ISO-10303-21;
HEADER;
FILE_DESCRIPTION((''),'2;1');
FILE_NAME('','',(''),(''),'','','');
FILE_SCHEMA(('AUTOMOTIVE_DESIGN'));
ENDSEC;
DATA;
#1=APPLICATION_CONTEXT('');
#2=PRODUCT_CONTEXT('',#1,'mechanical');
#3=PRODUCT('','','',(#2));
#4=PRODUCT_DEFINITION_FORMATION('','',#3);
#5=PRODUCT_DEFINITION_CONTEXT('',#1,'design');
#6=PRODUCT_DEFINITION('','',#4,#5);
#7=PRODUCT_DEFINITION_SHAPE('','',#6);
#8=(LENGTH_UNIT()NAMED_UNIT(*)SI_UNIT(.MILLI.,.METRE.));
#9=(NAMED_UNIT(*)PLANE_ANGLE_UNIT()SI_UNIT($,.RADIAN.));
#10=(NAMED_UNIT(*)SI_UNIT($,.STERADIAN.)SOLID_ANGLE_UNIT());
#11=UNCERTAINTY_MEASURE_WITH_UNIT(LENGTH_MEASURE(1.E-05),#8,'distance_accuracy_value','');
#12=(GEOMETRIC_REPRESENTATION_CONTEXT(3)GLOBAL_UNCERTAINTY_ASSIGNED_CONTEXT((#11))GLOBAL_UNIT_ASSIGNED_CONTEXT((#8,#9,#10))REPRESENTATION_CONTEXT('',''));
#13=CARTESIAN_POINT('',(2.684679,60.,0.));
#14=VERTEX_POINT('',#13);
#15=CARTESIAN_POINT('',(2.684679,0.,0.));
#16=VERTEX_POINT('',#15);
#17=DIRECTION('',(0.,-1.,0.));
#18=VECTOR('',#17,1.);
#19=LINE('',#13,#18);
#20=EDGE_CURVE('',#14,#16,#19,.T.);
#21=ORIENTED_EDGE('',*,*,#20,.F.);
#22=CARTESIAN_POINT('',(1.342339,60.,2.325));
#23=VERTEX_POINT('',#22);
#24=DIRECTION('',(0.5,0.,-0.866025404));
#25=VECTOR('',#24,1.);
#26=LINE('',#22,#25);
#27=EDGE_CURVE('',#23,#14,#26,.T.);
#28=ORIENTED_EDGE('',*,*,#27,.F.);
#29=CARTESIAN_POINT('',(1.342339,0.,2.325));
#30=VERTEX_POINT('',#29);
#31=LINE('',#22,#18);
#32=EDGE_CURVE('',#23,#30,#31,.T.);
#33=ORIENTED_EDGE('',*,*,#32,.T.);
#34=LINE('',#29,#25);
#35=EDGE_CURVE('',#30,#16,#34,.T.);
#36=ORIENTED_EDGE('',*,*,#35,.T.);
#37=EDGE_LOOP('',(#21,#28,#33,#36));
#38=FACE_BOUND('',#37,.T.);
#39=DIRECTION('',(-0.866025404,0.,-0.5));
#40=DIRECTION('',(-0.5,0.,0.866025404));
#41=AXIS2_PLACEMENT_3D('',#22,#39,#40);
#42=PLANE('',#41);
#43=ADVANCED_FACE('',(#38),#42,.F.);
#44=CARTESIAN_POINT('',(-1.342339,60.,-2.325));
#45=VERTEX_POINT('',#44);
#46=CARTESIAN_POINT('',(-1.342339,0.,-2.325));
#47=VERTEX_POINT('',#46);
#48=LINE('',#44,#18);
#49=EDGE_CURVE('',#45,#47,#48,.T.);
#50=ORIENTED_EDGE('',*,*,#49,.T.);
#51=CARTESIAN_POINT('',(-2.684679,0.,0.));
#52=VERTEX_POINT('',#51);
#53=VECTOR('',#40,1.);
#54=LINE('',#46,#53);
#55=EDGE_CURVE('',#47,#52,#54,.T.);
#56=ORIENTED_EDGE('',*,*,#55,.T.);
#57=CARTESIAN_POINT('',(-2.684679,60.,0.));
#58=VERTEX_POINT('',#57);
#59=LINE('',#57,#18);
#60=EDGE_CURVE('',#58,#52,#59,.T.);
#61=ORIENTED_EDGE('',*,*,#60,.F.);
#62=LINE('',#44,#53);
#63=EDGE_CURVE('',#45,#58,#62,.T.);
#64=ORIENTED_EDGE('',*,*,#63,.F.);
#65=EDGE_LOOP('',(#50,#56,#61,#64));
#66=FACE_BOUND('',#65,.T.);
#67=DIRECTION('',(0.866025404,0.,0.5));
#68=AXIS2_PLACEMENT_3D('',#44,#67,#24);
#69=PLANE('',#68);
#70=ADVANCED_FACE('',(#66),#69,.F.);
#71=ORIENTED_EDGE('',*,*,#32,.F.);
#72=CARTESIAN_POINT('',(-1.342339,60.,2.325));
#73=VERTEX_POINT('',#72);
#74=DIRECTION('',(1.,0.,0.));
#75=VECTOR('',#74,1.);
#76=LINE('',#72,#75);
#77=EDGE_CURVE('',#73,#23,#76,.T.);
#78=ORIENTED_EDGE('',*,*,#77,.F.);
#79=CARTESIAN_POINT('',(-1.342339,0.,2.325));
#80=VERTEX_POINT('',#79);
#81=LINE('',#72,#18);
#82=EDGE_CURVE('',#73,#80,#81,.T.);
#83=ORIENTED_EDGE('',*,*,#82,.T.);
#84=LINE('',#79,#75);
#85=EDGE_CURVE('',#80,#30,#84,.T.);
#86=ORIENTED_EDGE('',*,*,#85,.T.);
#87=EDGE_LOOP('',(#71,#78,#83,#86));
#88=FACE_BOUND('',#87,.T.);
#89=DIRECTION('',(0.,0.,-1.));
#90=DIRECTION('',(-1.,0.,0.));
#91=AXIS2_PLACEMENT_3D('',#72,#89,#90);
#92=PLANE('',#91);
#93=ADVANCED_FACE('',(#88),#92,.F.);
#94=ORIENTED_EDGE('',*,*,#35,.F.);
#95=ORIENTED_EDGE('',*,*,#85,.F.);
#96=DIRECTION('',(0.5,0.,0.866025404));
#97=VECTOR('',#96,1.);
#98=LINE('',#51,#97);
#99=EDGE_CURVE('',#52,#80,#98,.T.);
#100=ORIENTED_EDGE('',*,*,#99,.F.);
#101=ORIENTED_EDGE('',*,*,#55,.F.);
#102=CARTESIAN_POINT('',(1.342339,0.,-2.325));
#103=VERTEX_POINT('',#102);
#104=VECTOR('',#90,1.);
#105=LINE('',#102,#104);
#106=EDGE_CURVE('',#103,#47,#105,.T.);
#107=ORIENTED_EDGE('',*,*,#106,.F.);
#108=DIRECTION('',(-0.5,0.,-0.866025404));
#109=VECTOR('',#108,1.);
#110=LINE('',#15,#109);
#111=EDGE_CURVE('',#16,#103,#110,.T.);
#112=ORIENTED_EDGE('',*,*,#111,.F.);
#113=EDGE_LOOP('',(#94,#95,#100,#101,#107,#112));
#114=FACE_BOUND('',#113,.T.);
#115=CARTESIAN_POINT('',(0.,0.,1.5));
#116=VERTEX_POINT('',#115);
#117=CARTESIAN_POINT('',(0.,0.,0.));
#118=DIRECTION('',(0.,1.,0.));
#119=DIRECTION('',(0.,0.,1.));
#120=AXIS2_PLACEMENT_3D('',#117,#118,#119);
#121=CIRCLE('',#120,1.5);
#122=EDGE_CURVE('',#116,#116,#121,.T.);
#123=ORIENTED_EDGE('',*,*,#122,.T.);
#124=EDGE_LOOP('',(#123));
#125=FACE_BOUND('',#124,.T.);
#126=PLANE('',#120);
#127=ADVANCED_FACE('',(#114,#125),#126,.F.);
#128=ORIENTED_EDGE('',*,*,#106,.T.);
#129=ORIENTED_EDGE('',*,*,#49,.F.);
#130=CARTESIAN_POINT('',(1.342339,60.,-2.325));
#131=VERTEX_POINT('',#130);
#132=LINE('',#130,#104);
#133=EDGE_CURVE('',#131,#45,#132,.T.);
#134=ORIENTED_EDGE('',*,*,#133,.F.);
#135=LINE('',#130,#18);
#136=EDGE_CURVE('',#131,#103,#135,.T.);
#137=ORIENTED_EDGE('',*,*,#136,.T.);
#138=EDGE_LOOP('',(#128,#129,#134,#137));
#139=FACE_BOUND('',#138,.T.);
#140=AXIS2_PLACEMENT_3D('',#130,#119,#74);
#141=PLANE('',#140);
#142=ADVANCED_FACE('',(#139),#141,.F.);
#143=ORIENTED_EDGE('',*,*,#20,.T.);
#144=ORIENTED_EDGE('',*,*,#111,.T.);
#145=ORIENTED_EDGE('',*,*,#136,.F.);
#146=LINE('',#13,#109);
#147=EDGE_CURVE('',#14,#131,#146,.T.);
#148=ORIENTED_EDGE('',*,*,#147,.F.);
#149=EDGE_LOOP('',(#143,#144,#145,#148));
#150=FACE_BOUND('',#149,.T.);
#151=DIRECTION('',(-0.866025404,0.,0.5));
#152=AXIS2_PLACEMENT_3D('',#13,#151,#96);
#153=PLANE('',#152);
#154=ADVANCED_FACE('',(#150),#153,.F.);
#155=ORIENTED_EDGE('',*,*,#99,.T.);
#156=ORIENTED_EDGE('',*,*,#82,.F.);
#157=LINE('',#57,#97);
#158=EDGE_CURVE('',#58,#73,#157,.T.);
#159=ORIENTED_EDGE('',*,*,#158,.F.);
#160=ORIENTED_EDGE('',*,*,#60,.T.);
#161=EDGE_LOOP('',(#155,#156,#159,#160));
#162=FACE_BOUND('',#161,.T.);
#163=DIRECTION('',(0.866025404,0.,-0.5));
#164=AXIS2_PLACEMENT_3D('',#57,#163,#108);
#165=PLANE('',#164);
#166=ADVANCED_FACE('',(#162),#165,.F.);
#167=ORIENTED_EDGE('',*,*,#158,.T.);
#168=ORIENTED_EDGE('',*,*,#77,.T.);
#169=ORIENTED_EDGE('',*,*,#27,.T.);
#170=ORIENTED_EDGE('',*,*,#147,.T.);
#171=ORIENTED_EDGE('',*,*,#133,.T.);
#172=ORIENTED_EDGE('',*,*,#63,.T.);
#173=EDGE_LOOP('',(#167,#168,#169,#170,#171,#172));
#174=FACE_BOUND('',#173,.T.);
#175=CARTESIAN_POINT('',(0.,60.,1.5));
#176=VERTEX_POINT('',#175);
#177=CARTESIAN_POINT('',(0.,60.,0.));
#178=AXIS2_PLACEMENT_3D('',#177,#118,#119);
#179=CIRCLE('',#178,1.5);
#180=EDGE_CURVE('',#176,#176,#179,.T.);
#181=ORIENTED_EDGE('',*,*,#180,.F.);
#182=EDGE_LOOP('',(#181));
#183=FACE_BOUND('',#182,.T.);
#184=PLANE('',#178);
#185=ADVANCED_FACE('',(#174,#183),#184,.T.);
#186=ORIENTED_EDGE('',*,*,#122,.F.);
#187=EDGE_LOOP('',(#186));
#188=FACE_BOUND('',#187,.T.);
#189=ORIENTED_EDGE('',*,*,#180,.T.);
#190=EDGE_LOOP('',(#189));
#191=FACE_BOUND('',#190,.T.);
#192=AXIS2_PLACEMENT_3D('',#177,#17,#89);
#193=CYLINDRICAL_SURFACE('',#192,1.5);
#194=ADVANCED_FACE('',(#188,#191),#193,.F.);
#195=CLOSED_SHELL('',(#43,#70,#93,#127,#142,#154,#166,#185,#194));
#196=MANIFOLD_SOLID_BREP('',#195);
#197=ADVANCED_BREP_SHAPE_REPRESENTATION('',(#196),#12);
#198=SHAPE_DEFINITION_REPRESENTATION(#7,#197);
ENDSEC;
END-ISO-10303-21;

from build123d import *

# Parameters (mm, degrees)
SKETCH_1_R      = 1.5
EXTRUDE_1_DEPTH = 60


with BuildPart() as part:
    # Эскиз1 → Бобышка-Вытянуть1 (new body)
    with BuildSketch(Plane(origin=(0, 0, 0), x_dir=(1, 0, 0), z_dir=(0, 1, 0))):
        Polygon((2.684678752, 0), (1.342339376, 2.325), (-1.342339376, 2.325), (-2.684678752, 0), (-1.342339376, -2.325), (1.342339376, -2.325), align=None)
        with Locations(Location((0, 0, 0), (0, 0, 270))):
            Circle(SKETCH_1_R, mode=Mode.SUBTRACT)
    extrude(amount=EXTRUDE_1_DEPTH)


solid = part.part
